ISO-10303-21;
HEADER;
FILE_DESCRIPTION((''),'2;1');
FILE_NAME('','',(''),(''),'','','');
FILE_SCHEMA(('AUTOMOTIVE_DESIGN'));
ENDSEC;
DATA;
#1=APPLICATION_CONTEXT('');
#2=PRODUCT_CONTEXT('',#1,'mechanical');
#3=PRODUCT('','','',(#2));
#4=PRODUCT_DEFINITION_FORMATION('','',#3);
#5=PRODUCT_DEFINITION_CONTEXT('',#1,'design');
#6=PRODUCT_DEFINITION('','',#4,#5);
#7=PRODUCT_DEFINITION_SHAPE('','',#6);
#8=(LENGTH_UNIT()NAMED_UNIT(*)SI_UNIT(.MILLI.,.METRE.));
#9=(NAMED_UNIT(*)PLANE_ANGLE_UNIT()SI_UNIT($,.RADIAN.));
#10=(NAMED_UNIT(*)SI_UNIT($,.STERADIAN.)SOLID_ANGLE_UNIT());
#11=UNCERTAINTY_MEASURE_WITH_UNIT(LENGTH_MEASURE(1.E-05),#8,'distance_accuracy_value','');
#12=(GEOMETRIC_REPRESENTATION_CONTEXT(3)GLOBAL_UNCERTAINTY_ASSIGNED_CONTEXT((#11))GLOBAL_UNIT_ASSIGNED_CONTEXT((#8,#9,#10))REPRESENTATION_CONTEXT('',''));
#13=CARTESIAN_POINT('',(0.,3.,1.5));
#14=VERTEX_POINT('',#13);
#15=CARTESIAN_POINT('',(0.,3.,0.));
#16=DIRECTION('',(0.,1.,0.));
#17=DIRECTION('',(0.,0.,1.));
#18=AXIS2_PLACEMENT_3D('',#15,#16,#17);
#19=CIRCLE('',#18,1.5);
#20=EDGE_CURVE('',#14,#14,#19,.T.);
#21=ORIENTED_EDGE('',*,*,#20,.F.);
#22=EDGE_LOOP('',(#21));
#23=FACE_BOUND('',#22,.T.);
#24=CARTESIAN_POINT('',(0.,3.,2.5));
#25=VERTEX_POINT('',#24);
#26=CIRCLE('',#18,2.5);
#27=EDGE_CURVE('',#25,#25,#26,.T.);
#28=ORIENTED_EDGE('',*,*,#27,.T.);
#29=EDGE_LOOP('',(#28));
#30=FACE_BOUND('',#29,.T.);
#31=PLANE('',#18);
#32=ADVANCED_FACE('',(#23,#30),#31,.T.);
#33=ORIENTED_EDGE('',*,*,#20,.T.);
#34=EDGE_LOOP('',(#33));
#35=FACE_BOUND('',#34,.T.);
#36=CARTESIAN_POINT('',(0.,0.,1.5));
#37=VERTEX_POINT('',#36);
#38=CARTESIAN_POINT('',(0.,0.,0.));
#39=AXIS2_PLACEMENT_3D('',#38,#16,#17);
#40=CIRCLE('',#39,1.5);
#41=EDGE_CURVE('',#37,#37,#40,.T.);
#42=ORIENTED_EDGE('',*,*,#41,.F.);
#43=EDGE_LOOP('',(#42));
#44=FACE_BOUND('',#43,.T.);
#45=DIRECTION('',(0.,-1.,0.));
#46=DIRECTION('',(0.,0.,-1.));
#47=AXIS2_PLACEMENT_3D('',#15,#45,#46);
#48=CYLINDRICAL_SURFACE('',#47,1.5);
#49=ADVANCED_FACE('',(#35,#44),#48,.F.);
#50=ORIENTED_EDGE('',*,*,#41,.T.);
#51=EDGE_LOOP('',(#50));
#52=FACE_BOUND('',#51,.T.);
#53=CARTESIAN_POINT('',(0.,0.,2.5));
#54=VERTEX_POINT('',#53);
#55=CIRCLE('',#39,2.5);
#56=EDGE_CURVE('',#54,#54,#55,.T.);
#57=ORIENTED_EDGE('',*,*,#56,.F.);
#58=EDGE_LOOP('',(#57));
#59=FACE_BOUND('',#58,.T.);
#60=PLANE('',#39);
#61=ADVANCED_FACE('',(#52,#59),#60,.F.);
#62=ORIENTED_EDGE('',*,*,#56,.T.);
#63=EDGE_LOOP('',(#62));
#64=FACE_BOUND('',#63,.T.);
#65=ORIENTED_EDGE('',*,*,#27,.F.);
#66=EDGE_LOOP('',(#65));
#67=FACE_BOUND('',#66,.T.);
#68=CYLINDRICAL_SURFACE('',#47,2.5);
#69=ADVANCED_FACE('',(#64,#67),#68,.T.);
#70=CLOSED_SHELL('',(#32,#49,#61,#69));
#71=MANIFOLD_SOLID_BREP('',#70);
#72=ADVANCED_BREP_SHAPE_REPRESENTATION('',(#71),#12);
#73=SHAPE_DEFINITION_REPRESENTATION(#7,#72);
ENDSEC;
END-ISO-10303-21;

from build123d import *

# Parameters (mm, degrees)
SKETCH_1_R      = 2.5
SKETCH_1_R_2    = 1.5
EXTRUDE_1_DEPTH = 3


with BuildPart() as part:
    # Эскиз1 → Бобышка-Вытянуть1 (new body)
    with BuildSketch(Plane(origin=(0, 0, 0), x_dir=(1, 0, 0), z_dir=(0, 1, 0))):
        with Locations(Location((0, 0, 0), (0, 0, 270))):
            Circle(SKETCH_1_R)
        with Locations(Location((0, 0, 0), (0, 0, 270))):
            Circle(SKETCH_1_R_2, mode=Mode.SUBTRACT)
    extrude(amount=EXTRUDE_1_DEPTH)


solid = part.part
